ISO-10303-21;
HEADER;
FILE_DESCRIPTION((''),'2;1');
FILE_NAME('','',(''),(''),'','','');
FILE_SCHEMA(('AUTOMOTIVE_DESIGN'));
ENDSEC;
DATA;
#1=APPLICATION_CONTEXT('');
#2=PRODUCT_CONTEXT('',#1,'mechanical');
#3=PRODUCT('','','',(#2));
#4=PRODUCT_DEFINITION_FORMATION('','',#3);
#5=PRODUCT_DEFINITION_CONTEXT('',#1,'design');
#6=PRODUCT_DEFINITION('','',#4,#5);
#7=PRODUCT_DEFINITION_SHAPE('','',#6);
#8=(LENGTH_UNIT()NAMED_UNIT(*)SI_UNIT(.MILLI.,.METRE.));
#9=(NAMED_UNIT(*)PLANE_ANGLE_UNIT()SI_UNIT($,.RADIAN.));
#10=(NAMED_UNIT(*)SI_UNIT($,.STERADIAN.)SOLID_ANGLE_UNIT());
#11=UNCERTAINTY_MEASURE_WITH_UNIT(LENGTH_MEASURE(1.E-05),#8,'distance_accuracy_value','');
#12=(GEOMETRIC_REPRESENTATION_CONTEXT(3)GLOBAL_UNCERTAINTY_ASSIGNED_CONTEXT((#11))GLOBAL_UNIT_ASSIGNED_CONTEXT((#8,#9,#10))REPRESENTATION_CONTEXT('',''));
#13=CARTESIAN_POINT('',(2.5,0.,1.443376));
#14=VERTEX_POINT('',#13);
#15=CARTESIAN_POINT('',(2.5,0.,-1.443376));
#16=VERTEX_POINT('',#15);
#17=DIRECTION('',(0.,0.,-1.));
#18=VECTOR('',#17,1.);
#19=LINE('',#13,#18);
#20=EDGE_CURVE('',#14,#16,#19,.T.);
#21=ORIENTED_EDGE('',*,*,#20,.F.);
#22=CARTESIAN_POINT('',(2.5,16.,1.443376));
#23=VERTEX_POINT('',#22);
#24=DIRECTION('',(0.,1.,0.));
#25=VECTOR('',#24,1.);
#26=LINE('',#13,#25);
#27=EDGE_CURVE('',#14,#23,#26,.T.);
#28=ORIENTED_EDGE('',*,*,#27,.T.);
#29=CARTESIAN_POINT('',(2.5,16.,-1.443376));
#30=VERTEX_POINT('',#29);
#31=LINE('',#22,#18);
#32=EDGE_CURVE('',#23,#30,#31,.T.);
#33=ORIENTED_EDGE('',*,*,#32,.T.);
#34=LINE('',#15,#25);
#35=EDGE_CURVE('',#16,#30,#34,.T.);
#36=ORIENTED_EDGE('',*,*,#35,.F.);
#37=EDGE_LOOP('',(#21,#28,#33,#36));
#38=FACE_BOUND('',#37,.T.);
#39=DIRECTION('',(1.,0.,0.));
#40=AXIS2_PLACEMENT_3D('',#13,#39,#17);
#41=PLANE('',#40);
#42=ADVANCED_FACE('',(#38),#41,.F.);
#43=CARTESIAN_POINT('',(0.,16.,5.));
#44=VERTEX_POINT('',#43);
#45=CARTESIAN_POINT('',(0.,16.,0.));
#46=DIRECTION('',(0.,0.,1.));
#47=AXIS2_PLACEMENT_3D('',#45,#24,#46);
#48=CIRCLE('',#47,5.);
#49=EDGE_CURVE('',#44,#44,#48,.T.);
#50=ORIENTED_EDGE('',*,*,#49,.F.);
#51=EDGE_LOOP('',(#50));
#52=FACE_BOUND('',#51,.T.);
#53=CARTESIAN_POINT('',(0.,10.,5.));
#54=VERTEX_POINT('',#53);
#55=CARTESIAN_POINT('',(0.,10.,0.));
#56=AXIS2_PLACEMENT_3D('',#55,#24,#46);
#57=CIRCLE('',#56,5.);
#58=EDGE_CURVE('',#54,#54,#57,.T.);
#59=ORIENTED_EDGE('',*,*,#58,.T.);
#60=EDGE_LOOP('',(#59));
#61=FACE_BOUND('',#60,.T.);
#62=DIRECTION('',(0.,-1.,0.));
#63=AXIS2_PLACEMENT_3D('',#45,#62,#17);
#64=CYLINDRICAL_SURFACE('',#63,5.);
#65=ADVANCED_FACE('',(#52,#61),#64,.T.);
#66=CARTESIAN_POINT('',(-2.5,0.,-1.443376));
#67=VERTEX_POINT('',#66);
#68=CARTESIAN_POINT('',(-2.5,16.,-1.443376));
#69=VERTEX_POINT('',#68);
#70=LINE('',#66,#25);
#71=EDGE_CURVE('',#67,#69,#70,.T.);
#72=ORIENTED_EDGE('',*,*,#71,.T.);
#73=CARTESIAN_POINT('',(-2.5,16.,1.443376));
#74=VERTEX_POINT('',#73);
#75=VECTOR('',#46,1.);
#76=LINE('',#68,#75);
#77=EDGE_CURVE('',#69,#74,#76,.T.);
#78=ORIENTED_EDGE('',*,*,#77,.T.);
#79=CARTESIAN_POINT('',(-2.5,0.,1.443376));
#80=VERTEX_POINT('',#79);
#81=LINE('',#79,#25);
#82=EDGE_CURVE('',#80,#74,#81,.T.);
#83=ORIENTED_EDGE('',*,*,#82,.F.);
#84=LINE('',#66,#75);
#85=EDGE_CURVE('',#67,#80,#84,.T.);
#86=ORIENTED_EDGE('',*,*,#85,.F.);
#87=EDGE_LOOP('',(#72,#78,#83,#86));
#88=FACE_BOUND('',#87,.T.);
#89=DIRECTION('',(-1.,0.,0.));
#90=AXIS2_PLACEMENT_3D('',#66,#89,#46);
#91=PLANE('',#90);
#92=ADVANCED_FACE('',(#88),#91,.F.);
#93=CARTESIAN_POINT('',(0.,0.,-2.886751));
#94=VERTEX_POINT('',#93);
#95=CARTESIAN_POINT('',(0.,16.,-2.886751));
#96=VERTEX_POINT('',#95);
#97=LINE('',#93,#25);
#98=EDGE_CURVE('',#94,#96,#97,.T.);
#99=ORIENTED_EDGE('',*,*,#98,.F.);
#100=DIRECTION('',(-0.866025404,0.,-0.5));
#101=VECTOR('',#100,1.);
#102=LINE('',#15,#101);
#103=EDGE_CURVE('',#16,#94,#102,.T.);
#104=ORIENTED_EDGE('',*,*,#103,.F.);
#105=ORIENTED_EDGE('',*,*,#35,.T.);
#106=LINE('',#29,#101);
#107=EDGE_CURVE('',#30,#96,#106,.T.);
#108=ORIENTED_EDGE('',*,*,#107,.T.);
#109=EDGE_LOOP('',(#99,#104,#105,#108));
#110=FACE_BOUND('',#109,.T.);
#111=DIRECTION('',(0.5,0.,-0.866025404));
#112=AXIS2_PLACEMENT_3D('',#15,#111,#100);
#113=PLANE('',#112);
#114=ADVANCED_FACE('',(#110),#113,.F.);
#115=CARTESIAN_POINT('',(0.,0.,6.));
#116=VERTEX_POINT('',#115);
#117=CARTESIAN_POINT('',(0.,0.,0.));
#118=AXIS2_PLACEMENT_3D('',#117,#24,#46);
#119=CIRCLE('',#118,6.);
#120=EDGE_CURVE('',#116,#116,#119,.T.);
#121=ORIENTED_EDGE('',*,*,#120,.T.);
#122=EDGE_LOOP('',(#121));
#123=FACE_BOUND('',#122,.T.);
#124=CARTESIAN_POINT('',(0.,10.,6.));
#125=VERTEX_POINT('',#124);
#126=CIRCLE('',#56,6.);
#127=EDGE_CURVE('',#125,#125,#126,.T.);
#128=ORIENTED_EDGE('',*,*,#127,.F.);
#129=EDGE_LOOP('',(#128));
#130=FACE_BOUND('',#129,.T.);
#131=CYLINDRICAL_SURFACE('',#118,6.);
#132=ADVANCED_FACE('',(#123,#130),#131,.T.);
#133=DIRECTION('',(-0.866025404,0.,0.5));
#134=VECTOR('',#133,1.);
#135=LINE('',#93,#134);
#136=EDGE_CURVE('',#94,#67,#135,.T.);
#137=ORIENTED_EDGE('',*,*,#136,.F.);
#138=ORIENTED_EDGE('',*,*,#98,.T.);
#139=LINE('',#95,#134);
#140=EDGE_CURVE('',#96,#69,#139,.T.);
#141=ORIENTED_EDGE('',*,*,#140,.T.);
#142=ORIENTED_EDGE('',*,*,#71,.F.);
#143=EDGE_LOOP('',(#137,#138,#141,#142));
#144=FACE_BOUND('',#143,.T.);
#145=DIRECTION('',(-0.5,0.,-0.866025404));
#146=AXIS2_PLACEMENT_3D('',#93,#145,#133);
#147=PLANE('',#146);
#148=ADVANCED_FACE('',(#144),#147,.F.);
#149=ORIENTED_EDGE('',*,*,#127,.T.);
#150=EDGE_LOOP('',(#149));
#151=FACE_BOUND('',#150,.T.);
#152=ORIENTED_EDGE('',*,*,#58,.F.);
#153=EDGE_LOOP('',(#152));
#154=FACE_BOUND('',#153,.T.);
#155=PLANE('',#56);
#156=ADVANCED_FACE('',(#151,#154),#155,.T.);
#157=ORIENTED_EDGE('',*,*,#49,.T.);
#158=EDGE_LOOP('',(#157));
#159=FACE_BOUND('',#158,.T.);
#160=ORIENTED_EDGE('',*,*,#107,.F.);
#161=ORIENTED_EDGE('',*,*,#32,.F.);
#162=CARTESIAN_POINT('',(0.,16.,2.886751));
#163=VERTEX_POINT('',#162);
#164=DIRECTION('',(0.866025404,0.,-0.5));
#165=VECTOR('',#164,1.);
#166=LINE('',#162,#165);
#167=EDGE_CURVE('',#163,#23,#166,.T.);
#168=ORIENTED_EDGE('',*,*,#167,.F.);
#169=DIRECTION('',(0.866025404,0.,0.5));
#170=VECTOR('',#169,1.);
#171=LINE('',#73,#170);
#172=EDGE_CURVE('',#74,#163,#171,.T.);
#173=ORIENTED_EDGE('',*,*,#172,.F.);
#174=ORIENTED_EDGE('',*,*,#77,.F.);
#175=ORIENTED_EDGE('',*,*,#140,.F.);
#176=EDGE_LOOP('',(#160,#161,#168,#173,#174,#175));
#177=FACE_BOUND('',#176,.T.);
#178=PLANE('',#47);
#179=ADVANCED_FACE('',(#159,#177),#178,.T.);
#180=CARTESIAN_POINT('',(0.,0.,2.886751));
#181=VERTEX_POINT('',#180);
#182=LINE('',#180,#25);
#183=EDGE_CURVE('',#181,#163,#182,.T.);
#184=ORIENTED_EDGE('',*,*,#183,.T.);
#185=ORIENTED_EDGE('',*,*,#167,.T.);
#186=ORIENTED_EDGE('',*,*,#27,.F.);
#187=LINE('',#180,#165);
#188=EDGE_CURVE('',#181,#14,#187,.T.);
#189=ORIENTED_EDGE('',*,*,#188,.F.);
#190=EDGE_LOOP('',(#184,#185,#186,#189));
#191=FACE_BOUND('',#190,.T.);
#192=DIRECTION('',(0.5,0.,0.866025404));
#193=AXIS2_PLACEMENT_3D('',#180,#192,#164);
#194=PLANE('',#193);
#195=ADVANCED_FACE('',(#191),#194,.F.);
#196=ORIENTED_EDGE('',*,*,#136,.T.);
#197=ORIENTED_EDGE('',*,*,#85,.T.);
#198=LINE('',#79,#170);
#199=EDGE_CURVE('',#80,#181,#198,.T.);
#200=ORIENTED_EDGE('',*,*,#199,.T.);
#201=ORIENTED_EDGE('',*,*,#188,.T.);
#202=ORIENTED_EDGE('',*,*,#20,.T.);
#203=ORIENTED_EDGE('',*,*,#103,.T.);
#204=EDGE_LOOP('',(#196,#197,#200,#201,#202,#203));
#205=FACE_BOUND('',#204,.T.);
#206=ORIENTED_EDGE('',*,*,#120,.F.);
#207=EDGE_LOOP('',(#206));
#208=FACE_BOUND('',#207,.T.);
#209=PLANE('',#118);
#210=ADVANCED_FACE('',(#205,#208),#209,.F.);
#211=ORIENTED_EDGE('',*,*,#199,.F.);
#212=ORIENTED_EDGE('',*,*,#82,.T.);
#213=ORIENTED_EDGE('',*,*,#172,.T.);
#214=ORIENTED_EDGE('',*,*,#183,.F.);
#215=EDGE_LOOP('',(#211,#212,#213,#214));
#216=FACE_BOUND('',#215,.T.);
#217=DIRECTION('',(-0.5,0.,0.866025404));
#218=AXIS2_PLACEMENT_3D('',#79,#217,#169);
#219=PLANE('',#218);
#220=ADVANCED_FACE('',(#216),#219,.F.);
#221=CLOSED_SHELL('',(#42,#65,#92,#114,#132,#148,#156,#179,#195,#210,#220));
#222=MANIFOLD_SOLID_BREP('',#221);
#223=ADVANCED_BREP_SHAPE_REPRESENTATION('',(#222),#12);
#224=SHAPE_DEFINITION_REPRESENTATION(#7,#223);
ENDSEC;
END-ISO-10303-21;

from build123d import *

# Parameters (mm, degrees)
SKETCH1_R           = 7
BOSS_EXTRUDE1_DEPTH = 10
SKETCH2_R           = 5
BOSS_EXTRUDE2_DEPTH = 6
CUT_EXTRUDE2_DEPTH  = 19.814887722
SKETCH5_OUTSIDE_W   = 21.092
SKETCH5_OUTSIDE_H   = 21.092
SKETCH5_OUTSIDE_R   = 6
CUT_EXTRUDE3_DEPTH  = 15.071247279


with BuildPart() as part:
    # Sketch1 → Boss-Extrude1 (new body)
    with BuildSketch(Plane(origin=(0, 0, 0), x_dir=(1, 0, 0), z_dir=(0, 1, 0))):
        with Locations(Location((0, 0, 0), (0, 0, 270))):
            Circle(SKETCH1_R)
    extrude(amount=BOSS_EXTRUDE1_DEPTH)

    # Sketch2 → Boss-Extrude2 (add)
    with BuildSketch(Plane(origin=(0, 10, 0), x_dir=(1, 0, 0), z_dir=(0, 1, 0))):
        with Locations(Location((0, 0, 0), (0, 0, 270))):
            Circle(SKETCH2_R)
    extrude(amount=BOSS_EXTRUDE2_DEPTH)

    # Sketch4 → Cut-Extrude2 (cut, through all)
    with BuildSketch(Plane(origin=(0, 16, 0), x_dir=(1, 0, 0), z_dir=(0, 1, 0))):
        Polygon((2.5, 1.443375673), (0, 2.886751346), (-2.5, 1.443375673), (-2.5, -1.443375673), (0, -2.886751346), (2.5, -1.443375673), align=None)
    extrude(amount=-CUT_EXTRUDE2_DEPTH, mode=Mode.SUBTRACT)

    # Sketch5 outside → Cut-Extrude3 (cut, through all)
    with BuildSketch(Plane(origin=(0, 10, 0), x_dir=(1, 0, 0), z_dir=(0, 1, 0))):
        Rectangle(SKETCH5_OUTSIDE_W, SKETCH5_OUTSIDE_H)
        with Locations(Location((0, 0, 0), (0, 0, 270))):
            Circle(SKETCH5_OUTSIDE_R, mode=Mode.SUBTRACT)
    extrude(amount=-CUT_EXTRUDE3_DEPTH, mode=Mode.SUBTRACT)


solid = part.part
